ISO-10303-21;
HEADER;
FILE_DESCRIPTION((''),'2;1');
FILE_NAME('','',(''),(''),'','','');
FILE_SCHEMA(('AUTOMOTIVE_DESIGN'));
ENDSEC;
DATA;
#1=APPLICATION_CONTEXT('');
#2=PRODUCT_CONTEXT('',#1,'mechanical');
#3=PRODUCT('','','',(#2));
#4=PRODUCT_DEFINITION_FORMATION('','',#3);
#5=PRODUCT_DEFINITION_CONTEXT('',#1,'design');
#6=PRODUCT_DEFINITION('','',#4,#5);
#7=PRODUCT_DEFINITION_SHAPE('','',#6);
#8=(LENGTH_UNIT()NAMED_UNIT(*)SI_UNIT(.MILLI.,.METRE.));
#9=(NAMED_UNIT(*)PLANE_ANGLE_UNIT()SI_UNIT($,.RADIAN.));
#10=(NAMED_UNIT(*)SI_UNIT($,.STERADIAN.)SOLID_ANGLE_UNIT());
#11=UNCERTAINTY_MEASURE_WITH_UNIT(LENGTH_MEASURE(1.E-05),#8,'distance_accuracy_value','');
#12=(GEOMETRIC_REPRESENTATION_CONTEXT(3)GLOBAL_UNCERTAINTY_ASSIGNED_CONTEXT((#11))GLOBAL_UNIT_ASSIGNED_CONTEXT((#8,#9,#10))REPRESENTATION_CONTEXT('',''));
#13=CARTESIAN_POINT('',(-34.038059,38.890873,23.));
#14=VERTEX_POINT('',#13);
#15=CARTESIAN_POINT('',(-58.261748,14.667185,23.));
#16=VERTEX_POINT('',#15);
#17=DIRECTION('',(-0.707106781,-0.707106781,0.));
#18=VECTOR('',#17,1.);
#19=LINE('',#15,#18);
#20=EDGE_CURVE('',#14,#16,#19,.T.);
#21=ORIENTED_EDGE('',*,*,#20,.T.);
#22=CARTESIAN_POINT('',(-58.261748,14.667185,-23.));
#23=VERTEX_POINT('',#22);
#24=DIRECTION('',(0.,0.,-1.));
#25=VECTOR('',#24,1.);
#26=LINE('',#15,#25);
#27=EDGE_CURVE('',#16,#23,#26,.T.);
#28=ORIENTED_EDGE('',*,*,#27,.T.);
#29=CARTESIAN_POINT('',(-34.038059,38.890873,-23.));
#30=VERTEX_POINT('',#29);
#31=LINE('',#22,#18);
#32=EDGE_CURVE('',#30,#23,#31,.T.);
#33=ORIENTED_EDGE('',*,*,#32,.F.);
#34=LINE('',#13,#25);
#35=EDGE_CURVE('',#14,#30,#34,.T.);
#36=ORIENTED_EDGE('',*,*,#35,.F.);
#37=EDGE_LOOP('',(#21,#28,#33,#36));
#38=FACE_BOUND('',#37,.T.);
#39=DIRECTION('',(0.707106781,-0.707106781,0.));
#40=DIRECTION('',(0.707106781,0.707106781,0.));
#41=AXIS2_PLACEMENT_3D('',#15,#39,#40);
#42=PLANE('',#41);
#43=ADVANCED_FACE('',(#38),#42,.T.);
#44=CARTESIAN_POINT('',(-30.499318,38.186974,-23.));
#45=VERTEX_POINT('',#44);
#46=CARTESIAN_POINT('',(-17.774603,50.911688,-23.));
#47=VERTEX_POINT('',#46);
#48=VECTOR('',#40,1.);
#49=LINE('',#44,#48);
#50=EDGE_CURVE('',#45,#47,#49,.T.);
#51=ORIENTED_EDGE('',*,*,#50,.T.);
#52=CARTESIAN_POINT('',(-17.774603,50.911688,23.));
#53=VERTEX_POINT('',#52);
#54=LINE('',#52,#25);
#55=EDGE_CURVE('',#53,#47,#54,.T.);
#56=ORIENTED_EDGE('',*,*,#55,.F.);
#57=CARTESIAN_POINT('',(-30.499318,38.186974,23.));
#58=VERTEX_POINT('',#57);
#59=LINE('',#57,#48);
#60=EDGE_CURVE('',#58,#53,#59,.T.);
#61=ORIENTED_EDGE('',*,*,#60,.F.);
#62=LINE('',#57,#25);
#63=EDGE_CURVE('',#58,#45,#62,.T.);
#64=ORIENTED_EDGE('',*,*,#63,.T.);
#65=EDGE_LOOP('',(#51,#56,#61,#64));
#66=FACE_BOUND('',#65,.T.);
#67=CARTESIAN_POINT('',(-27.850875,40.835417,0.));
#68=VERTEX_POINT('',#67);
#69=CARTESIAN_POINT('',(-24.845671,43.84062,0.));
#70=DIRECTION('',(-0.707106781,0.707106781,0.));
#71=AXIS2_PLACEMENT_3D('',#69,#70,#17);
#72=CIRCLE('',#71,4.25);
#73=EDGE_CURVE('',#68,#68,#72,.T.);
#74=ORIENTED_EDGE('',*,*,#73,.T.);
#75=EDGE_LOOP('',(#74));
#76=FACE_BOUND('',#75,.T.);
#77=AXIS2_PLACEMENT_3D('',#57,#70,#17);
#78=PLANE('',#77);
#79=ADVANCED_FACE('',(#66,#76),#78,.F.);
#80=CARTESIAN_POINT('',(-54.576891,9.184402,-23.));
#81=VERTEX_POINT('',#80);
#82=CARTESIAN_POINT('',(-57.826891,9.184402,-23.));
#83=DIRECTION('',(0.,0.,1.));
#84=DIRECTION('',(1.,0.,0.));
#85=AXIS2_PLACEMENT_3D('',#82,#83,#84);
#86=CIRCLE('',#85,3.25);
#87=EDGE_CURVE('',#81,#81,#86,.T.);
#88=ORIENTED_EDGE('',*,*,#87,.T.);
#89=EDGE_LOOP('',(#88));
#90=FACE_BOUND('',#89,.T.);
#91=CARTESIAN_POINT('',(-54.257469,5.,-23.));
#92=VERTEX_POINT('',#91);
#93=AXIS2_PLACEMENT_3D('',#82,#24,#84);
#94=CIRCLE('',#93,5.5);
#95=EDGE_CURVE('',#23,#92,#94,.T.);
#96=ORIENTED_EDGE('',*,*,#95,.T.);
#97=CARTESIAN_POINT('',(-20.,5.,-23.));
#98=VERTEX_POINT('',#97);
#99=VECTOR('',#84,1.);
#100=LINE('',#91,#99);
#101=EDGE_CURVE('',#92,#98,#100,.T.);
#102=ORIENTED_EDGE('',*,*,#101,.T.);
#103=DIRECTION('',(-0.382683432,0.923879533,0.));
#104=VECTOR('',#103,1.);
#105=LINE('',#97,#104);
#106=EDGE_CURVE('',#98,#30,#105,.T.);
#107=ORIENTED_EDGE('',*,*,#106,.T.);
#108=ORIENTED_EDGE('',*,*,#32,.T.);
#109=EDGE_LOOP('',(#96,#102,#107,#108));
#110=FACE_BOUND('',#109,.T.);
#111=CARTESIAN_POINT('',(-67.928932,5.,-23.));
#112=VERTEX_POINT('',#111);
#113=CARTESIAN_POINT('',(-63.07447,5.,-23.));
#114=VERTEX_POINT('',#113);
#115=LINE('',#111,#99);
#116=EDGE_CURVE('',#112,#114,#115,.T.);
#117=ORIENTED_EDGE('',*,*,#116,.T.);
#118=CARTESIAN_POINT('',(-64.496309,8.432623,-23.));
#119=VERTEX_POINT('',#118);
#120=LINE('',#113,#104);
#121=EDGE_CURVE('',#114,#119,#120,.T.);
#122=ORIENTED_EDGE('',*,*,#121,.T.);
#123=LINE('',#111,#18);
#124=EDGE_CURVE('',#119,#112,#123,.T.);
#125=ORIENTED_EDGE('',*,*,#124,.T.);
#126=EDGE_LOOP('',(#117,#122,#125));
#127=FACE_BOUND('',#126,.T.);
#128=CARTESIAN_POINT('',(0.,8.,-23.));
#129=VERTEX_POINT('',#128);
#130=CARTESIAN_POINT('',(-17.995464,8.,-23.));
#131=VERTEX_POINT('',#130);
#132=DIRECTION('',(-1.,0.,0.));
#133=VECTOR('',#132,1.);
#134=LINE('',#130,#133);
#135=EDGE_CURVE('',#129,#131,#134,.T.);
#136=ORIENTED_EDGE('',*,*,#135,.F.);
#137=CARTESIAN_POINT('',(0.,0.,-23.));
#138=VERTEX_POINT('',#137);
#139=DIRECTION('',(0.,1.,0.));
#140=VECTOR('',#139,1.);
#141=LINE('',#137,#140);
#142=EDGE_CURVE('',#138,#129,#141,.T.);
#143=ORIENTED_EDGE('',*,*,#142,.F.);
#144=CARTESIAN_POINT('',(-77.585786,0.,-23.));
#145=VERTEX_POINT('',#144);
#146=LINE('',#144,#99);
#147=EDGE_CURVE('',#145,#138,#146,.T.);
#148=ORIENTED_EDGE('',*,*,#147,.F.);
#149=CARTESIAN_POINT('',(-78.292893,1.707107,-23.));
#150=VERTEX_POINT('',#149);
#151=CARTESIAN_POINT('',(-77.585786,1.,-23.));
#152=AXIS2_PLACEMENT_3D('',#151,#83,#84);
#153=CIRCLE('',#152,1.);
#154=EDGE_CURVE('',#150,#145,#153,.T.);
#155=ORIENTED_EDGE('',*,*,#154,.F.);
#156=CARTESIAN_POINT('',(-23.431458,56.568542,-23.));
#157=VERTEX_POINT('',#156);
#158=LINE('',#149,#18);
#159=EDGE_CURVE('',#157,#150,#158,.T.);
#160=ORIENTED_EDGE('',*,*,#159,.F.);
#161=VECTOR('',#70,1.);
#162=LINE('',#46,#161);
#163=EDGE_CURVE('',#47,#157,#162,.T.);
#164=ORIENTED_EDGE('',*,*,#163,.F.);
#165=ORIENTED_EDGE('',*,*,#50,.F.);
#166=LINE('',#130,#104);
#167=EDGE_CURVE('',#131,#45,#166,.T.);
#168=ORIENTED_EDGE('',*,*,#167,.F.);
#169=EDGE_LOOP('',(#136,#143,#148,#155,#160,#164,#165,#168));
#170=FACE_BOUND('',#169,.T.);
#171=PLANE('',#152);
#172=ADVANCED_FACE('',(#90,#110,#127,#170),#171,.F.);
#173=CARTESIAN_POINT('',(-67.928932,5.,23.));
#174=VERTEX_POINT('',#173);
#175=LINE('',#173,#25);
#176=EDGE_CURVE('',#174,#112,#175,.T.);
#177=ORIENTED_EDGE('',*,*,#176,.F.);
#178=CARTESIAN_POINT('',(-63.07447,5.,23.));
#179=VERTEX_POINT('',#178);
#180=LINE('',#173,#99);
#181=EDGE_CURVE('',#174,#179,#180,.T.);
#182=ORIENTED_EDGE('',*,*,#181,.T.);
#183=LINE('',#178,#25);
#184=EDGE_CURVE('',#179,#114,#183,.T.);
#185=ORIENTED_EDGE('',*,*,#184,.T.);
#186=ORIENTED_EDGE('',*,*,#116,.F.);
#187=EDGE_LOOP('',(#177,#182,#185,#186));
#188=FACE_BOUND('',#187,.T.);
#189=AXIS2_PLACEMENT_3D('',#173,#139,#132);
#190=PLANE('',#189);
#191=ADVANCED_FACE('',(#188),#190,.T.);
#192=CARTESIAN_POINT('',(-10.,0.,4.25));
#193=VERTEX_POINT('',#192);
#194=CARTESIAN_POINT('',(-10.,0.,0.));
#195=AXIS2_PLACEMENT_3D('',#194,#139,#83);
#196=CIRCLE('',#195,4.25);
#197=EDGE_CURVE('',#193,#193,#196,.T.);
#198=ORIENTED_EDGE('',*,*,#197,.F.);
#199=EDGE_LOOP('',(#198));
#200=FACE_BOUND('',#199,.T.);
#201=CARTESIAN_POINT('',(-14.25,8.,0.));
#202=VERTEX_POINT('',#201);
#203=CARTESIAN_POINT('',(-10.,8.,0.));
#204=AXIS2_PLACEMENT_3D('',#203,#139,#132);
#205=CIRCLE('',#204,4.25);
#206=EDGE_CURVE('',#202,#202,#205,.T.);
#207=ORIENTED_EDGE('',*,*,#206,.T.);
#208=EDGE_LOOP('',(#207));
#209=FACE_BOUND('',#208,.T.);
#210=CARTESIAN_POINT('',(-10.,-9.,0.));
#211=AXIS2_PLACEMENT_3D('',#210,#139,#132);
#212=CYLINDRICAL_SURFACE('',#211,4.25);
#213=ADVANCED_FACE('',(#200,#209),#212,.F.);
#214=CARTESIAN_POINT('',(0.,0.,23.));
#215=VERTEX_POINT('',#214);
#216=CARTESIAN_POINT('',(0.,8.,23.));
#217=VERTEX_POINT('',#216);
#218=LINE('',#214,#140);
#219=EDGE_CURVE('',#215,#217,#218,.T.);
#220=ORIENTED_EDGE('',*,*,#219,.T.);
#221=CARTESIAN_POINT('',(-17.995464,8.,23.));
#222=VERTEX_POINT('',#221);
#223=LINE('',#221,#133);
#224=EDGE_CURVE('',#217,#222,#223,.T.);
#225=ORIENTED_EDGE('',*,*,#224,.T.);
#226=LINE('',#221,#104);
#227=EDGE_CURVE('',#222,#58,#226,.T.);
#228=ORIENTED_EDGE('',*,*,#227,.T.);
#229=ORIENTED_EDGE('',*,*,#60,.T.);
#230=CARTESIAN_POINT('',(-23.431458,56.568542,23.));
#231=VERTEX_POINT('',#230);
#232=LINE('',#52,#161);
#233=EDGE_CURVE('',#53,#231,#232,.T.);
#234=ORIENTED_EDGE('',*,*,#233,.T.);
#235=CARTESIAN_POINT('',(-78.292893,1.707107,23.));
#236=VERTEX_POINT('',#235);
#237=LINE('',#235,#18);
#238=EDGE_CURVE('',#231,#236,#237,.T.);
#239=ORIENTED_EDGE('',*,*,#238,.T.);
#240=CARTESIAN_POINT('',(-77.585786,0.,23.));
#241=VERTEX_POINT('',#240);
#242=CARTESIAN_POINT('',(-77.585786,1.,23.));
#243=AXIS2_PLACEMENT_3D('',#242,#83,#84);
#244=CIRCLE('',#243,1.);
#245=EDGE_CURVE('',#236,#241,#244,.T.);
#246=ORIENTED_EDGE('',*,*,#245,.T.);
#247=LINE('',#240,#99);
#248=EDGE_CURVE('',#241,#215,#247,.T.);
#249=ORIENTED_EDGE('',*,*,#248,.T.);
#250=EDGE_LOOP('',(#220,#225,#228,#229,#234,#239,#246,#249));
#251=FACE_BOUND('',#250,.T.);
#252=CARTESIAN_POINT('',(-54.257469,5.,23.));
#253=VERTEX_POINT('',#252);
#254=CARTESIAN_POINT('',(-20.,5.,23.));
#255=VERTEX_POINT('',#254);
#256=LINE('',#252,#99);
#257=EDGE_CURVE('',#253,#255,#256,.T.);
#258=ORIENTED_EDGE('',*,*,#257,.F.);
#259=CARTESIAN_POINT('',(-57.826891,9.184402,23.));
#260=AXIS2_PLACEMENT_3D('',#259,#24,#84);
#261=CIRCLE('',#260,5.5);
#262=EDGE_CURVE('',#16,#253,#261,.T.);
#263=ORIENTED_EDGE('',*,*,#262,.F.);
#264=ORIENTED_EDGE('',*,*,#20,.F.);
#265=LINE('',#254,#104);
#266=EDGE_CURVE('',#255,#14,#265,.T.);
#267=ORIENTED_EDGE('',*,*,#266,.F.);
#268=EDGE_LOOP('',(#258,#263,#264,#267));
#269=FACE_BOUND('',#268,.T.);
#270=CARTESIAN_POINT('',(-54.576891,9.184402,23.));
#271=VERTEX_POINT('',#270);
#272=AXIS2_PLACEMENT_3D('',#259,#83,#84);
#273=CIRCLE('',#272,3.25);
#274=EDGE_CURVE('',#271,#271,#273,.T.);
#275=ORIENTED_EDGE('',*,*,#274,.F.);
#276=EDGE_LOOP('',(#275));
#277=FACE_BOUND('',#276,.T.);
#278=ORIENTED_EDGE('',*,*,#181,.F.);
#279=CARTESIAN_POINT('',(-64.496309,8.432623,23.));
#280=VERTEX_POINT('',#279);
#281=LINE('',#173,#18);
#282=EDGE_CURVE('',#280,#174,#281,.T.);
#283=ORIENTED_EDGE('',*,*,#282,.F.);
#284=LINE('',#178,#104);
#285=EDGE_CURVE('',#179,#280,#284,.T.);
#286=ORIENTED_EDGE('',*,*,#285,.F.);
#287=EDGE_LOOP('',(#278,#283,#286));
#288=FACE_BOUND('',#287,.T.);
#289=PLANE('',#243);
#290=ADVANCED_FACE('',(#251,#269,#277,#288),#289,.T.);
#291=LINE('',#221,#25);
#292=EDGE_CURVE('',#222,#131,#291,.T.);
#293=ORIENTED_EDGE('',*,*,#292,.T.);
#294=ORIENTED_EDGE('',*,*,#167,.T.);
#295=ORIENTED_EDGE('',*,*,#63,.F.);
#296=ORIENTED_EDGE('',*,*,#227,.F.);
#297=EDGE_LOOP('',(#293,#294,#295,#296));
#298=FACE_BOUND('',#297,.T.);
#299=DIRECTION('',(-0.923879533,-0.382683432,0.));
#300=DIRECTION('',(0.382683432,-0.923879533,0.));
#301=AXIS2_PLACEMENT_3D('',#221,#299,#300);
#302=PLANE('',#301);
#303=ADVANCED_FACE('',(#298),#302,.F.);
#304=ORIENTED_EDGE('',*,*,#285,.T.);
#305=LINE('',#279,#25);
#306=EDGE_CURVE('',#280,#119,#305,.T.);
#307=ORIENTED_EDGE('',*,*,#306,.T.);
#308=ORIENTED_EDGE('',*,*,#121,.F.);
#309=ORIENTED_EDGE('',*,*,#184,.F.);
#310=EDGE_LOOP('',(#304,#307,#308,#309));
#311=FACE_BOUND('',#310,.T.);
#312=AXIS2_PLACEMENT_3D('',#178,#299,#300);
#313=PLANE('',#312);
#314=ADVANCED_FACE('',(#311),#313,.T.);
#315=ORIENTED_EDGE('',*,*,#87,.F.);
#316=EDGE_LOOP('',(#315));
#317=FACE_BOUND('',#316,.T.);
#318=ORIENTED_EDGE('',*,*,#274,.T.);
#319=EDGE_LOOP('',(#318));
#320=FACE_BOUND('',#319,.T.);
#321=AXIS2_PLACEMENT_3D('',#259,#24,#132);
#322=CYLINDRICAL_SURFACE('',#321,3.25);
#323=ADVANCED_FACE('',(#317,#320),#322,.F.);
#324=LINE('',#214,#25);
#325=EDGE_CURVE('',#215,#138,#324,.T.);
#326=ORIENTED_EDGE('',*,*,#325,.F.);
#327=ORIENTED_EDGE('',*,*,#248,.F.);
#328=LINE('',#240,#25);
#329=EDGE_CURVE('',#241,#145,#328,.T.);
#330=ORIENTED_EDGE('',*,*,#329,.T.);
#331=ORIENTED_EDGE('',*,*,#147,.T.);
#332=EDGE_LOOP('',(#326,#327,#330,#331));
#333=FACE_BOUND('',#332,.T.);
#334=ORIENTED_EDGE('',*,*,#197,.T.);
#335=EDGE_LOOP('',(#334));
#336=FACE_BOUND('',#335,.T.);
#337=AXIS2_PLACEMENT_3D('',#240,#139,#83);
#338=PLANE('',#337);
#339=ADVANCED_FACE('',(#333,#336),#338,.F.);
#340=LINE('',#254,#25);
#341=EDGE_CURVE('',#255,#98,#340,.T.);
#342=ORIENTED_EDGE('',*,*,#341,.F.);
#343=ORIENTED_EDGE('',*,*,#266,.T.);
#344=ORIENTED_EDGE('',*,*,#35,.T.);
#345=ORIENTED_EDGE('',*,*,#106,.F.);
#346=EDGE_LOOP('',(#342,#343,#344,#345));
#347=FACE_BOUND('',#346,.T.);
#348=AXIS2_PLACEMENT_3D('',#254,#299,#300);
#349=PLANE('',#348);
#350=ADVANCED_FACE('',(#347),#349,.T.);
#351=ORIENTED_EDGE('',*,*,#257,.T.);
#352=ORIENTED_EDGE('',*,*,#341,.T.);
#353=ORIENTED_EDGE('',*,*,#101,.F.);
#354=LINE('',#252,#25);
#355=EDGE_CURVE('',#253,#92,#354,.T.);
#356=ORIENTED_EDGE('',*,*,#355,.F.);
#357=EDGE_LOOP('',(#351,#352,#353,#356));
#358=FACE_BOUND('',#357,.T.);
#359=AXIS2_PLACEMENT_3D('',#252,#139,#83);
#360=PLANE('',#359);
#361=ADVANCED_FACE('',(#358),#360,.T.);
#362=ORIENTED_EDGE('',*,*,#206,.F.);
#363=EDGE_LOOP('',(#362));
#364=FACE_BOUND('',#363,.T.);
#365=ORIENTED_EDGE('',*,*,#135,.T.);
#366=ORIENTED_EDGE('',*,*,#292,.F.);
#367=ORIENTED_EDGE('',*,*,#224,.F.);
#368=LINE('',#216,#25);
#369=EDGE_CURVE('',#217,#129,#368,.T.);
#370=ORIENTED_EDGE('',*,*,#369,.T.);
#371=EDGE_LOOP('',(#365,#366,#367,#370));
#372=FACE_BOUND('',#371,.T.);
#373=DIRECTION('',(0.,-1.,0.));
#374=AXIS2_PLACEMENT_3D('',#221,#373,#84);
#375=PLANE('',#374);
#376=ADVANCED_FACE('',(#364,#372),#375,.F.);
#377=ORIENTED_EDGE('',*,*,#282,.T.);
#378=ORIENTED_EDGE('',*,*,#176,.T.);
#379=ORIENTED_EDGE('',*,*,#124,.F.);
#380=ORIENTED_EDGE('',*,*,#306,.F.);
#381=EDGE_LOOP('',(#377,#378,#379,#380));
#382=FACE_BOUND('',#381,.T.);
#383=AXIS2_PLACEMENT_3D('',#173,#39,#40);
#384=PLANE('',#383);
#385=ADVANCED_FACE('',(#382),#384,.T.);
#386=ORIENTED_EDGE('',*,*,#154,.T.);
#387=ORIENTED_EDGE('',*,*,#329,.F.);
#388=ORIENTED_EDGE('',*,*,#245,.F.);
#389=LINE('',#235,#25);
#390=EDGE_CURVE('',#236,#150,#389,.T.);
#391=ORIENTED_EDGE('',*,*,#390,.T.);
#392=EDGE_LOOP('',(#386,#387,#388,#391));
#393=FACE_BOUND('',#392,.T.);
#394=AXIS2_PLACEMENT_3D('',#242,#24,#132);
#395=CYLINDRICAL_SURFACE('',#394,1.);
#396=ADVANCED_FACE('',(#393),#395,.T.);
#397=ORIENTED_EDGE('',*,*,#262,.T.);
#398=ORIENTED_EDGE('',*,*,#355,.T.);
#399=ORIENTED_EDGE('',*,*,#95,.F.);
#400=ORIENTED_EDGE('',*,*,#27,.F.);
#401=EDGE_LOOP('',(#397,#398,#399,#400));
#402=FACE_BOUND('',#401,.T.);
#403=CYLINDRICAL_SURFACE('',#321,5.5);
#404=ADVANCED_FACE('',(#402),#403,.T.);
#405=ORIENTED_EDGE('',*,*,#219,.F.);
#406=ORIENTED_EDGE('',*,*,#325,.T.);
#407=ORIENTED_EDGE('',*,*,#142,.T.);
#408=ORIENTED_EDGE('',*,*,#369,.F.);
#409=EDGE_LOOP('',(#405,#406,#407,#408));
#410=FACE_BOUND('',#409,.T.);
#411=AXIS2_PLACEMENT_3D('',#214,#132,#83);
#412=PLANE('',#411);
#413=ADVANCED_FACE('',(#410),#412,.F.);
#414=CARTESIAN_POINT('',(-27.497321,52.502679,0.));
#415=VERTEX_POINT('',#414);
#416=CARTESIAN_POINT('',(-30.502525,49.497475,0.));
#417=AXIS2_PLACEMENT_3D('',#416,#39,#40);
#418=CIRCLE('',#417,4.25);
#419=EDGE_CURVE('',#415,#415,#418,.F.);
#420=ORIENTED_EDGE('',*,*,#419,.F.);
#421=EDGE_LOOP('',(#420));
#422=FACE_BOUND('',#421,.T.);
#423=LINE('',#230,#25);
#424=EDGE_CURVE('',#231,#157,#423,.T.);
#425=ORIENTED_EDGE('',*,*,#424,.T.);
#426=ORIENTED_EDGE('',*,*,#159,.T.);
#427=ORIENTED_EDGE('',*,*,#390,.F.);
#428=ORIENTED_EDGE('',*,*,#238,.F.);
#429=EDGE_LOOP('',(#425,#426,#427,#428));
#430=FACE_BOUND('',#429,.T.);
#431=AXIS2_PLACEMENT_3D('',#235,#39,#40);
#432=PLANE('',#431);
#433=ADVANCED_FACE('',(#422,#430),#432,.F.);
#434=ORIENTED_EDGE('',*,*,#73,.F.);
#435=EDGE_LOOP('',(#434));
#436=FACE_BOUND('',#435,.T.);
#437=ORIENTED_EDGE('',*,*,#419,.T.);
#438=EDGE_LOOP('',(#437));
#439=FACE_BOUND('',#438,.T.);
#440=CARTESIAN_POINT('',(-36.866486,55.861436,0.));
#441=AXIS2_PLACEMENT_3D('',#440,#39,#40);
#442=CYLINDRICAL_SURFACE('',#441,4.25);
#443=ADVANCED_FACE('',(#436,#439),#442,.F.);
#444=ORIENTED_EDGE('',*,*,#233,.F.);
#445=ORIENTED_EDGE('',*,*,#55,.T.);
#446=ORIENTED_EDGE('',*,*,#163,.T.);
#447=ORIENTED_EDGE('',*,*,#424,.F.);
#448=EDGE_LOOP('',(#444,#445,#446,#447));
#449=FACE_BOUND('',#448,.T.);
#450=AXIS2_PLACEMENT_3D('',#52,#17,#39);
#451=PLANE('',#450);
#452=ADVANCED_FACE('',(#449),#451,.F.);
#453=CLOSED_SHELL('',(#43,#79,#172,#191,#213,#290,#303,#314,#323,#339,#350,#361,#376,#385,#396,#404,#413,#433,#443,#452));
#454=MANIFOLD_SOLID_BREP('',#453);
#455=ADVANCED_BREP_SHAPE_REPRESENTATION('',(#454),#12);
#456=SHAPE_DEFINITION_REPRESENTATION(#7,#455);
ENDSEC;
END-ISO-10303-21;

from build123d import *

# Parameters (mm, degrees)
SKETCH_1_R          = 3.25
EXTRUDE_1_DEPTH     = 23
SKETCH_3_R          = 4.25
CUT_EXTRUDE_1_DEPTH = 17


with BuildPart() as part:
    # 草图1 → 凸台-拉伸1 (new, symmetric)
    with BuildSketch(Plane.XY):
        with BuildLine():
            Line((-77.585786438, 0), (0, 0))
            Line((0, 0), (0, 8))
            Line((0, 8), (-17.995464086, 8))
            Line((-17.995464086, 8), (-30.499317942, 38.186973559))
            Line((-30.499317942, 38.186973559), (-17.774603256, 50.911688245))
            Line((-17.774603256, 50.911688245), (-23.431457505, 56.568542495))
            Line((-23.431457505, 56.568542495), (-78.292893219, 1.707106781))
            ThreePointArc((-78.292893219, 1.707106781), (-78.50966597, 0.617316568), (-77.585786438, 0))
        make_face()
        with Locations((-57.82689122, 9.184402377)):
            Circle(SKETCH_1_R, mode=Mode.SUBTRACT)
        Polygon((-67.928932188, 5), (-63.07447047, 5), (-64.496309389, 8.4326228), align=None, mode=Mode.SUBTRACT)
        with BuildLine():
            Line((-54.257468753, 5), (-20, 5))
            Line((-20, 5), (-34.038059223, 38.890872965))
            Line((-34.038059223, 38.890872965), (-58.261747684, 14.667184504))
            ThreePointArc((-58.261747684, 14.667184504), (-52.745553791, 11.289161255), (-54.257468753, 5))
        make_face(mode=Mode.SUBTRACT)
    extrude(amount=EXTRUDE_1_DEPTH, both=True)

    # 草图3 → 切除-拉伸1 (cut)
    with BuildSketch(Plane(origin=(0, 8, 0), x_dir=(1, 0, 0), z_dir=(0, 1, 0))):
        with Locations(Location((-10, 0, 0), (0, 0, 180))):
            Circle(SKETCH_3_R)
    cut_extrude_1 = extrude(amount=-CUT_EXTRUDE_1_DEPTH, mode=Mode.SUBTRACT)

    # 镜向1: 切除-拉伸1 across plane
    add(cut_extrude_1.mirror(Plane(origin=(-11.715728753, 28.284271247, 0), x_dir=(0, 0, 1), z_dir=(-0.3826834323650881, 0.9238795325112875, 0))), mode=Mode.SUBTRACT)


solid = part.part
